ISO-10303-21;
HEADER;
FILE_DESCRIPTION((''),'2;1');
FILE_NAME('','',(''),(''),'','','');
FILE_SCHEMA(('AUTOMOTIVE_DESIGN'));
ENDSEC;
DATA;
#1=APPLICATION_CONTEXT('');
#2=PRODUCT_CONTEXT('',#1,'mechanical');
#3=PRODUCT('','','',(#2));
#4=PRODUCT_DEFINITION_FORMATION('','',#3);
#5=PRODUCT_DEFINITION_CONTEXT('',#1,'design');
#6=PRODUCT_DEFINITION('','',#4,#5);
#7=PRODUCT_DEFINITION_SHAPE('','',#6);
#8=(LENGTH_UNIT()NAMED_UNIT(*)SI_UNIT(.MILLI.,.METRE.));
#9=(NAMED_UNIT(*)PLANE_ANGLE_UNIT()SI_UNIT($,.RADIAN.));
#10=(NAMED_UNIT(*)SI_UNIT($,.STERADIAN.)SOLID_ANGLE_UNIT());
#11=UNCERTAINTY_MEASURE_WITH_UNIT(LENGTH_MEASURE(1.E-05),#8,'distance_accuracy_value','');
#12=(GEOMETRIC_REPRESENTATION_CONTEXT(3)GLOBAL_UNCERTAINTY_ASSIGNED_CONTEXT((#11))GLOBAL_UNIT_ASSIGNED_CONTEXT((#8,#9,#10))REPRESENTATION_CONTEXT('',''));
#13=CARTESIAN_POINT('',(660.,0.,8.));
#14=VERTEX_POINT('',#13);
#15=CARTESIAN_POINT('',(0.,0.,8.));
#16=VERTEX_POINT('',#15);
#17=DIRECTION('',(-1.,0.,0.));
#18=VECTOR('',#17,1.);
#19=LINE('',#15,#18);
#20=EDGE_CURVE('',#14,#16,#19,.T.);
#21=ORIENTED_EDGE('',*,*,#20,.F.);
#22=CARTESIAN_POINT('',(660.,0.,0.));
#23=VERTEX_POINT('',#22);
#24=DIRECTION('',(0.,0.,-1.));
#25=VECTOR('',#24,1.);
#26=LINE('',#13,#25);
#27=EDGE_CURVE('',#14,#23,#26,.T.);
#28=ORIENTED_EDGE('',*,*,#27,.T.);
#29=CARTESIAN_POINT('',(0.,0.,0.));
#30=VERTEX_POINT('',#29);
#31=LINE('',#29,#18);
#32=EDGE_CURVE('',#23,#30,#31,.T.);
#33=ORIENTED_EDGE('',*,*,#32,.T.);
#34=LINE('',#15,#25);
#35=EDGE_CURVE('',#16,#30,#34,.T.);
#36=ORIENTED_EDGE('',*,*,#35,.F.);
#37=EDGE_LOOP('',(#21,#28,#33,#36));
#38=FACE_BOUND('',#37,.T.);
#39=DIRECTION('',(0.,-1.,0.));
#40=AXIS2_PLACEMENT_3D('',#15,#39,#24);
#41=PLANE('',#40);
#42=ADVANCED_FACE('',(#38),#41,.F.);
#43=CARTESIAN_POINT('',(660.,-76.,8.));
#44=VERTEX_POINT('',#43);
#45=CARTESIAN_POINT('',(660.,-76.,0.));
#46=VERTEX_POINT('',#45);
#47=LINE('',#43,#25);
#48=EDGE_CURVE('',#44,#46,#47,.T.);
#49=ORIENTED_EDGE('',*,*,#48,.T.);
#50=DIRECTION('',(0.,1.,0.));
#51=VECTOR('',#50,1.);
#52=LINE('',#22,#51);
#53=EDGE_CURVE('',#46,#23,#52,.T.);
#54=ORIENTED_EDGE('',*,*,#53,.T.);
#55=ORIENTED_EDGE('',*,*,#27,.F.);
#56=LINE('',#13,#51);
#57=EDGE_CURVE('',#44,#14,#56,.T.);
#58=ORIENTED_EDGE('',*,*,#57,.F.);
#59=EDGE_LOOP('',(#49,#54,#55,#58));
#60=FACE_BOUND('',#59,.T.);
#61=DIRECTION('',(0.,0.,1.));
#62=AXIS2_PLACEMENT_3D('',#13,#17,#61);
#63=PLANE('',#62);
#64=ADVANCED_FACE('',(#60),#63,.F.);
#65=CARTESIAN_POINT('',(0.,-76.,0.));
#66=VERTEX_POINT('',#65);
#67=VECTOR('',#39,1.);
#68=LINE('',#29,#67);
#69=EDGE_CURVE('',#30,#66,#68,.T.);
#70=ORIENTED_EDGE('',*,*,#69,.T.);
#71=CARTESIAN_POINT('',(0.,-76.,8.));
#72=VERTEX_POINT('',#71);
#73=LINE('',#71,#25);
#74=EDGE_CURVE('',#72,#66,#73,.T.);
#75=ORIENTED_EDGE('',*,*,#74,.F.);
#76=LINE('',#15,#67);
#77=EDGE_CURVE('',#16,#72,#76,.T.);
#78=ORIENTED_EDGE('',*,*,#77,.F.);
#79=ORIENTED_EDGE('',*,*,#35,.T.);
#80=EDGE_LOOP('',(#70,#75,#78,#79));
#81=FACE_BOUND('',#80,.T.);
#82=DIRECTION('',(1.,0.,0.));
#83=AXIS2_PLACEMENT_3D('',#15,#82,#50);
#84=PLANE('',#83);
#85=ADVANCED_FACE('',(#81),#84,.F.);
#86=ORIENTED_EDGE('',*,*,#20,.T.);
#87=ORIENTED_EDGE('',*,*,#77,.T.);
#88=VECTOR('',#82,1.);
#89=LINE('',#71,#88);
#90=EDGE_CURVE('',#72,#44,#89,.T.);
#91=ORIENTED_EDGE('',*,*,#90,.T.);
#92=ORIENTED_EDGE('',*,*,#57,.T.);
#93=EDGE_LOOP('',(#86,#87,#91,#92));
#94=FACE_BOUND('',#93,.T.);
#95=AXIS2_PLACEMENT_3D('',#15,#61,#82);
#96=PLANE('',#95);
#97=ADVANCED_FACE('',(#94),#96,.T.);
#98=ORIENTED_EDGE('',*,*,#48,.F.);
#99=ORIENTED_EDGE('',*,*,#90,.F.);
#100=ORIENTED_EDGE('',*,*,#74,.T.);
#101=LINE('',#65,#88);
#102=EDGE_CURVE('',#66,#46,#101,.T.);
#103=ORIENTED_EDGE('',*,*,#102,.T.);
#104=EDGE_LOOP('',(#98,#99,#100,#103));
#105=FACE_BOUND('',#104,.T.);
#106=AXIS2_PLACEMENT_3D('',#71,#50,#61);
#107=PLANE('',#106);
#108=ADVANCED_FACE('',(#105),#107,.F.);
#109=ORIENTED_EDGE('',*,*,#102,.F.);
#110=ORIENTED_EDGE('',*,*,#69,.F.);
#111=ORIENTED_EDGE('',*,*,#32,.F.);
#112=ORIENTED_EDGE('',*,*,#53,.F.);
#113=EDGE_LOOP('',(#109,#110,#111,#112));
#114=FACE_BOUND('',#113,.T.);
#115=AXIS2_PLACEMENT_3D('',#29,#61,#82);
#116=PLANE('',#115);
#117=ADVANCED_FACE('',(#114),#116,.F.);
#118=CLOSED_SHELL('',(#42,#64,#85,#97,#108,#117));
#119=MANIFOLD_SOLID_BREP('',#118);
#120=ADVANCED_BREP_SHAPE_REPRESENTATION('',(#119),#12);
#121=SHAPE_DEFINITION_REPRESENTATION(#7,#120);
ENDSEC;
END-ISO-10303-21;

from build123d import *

# Parameters (mm, degrees)
SKETCH_1_W      = 660
SKETCH_1_H      = 76
EXTRUDE_1_DEPTH = 8


with BuildPart() as part:
    # 草图1 → 凸台-拉伸1 (new body)
    with BuildSketch(Plane.XY):
        with Locations((330, -38)):
            Rectangle(SKETCH_1_W, SKETCH_1_H)
    extrude(amount=EXTRUDE_1_DEPTH)


solid = part.part
